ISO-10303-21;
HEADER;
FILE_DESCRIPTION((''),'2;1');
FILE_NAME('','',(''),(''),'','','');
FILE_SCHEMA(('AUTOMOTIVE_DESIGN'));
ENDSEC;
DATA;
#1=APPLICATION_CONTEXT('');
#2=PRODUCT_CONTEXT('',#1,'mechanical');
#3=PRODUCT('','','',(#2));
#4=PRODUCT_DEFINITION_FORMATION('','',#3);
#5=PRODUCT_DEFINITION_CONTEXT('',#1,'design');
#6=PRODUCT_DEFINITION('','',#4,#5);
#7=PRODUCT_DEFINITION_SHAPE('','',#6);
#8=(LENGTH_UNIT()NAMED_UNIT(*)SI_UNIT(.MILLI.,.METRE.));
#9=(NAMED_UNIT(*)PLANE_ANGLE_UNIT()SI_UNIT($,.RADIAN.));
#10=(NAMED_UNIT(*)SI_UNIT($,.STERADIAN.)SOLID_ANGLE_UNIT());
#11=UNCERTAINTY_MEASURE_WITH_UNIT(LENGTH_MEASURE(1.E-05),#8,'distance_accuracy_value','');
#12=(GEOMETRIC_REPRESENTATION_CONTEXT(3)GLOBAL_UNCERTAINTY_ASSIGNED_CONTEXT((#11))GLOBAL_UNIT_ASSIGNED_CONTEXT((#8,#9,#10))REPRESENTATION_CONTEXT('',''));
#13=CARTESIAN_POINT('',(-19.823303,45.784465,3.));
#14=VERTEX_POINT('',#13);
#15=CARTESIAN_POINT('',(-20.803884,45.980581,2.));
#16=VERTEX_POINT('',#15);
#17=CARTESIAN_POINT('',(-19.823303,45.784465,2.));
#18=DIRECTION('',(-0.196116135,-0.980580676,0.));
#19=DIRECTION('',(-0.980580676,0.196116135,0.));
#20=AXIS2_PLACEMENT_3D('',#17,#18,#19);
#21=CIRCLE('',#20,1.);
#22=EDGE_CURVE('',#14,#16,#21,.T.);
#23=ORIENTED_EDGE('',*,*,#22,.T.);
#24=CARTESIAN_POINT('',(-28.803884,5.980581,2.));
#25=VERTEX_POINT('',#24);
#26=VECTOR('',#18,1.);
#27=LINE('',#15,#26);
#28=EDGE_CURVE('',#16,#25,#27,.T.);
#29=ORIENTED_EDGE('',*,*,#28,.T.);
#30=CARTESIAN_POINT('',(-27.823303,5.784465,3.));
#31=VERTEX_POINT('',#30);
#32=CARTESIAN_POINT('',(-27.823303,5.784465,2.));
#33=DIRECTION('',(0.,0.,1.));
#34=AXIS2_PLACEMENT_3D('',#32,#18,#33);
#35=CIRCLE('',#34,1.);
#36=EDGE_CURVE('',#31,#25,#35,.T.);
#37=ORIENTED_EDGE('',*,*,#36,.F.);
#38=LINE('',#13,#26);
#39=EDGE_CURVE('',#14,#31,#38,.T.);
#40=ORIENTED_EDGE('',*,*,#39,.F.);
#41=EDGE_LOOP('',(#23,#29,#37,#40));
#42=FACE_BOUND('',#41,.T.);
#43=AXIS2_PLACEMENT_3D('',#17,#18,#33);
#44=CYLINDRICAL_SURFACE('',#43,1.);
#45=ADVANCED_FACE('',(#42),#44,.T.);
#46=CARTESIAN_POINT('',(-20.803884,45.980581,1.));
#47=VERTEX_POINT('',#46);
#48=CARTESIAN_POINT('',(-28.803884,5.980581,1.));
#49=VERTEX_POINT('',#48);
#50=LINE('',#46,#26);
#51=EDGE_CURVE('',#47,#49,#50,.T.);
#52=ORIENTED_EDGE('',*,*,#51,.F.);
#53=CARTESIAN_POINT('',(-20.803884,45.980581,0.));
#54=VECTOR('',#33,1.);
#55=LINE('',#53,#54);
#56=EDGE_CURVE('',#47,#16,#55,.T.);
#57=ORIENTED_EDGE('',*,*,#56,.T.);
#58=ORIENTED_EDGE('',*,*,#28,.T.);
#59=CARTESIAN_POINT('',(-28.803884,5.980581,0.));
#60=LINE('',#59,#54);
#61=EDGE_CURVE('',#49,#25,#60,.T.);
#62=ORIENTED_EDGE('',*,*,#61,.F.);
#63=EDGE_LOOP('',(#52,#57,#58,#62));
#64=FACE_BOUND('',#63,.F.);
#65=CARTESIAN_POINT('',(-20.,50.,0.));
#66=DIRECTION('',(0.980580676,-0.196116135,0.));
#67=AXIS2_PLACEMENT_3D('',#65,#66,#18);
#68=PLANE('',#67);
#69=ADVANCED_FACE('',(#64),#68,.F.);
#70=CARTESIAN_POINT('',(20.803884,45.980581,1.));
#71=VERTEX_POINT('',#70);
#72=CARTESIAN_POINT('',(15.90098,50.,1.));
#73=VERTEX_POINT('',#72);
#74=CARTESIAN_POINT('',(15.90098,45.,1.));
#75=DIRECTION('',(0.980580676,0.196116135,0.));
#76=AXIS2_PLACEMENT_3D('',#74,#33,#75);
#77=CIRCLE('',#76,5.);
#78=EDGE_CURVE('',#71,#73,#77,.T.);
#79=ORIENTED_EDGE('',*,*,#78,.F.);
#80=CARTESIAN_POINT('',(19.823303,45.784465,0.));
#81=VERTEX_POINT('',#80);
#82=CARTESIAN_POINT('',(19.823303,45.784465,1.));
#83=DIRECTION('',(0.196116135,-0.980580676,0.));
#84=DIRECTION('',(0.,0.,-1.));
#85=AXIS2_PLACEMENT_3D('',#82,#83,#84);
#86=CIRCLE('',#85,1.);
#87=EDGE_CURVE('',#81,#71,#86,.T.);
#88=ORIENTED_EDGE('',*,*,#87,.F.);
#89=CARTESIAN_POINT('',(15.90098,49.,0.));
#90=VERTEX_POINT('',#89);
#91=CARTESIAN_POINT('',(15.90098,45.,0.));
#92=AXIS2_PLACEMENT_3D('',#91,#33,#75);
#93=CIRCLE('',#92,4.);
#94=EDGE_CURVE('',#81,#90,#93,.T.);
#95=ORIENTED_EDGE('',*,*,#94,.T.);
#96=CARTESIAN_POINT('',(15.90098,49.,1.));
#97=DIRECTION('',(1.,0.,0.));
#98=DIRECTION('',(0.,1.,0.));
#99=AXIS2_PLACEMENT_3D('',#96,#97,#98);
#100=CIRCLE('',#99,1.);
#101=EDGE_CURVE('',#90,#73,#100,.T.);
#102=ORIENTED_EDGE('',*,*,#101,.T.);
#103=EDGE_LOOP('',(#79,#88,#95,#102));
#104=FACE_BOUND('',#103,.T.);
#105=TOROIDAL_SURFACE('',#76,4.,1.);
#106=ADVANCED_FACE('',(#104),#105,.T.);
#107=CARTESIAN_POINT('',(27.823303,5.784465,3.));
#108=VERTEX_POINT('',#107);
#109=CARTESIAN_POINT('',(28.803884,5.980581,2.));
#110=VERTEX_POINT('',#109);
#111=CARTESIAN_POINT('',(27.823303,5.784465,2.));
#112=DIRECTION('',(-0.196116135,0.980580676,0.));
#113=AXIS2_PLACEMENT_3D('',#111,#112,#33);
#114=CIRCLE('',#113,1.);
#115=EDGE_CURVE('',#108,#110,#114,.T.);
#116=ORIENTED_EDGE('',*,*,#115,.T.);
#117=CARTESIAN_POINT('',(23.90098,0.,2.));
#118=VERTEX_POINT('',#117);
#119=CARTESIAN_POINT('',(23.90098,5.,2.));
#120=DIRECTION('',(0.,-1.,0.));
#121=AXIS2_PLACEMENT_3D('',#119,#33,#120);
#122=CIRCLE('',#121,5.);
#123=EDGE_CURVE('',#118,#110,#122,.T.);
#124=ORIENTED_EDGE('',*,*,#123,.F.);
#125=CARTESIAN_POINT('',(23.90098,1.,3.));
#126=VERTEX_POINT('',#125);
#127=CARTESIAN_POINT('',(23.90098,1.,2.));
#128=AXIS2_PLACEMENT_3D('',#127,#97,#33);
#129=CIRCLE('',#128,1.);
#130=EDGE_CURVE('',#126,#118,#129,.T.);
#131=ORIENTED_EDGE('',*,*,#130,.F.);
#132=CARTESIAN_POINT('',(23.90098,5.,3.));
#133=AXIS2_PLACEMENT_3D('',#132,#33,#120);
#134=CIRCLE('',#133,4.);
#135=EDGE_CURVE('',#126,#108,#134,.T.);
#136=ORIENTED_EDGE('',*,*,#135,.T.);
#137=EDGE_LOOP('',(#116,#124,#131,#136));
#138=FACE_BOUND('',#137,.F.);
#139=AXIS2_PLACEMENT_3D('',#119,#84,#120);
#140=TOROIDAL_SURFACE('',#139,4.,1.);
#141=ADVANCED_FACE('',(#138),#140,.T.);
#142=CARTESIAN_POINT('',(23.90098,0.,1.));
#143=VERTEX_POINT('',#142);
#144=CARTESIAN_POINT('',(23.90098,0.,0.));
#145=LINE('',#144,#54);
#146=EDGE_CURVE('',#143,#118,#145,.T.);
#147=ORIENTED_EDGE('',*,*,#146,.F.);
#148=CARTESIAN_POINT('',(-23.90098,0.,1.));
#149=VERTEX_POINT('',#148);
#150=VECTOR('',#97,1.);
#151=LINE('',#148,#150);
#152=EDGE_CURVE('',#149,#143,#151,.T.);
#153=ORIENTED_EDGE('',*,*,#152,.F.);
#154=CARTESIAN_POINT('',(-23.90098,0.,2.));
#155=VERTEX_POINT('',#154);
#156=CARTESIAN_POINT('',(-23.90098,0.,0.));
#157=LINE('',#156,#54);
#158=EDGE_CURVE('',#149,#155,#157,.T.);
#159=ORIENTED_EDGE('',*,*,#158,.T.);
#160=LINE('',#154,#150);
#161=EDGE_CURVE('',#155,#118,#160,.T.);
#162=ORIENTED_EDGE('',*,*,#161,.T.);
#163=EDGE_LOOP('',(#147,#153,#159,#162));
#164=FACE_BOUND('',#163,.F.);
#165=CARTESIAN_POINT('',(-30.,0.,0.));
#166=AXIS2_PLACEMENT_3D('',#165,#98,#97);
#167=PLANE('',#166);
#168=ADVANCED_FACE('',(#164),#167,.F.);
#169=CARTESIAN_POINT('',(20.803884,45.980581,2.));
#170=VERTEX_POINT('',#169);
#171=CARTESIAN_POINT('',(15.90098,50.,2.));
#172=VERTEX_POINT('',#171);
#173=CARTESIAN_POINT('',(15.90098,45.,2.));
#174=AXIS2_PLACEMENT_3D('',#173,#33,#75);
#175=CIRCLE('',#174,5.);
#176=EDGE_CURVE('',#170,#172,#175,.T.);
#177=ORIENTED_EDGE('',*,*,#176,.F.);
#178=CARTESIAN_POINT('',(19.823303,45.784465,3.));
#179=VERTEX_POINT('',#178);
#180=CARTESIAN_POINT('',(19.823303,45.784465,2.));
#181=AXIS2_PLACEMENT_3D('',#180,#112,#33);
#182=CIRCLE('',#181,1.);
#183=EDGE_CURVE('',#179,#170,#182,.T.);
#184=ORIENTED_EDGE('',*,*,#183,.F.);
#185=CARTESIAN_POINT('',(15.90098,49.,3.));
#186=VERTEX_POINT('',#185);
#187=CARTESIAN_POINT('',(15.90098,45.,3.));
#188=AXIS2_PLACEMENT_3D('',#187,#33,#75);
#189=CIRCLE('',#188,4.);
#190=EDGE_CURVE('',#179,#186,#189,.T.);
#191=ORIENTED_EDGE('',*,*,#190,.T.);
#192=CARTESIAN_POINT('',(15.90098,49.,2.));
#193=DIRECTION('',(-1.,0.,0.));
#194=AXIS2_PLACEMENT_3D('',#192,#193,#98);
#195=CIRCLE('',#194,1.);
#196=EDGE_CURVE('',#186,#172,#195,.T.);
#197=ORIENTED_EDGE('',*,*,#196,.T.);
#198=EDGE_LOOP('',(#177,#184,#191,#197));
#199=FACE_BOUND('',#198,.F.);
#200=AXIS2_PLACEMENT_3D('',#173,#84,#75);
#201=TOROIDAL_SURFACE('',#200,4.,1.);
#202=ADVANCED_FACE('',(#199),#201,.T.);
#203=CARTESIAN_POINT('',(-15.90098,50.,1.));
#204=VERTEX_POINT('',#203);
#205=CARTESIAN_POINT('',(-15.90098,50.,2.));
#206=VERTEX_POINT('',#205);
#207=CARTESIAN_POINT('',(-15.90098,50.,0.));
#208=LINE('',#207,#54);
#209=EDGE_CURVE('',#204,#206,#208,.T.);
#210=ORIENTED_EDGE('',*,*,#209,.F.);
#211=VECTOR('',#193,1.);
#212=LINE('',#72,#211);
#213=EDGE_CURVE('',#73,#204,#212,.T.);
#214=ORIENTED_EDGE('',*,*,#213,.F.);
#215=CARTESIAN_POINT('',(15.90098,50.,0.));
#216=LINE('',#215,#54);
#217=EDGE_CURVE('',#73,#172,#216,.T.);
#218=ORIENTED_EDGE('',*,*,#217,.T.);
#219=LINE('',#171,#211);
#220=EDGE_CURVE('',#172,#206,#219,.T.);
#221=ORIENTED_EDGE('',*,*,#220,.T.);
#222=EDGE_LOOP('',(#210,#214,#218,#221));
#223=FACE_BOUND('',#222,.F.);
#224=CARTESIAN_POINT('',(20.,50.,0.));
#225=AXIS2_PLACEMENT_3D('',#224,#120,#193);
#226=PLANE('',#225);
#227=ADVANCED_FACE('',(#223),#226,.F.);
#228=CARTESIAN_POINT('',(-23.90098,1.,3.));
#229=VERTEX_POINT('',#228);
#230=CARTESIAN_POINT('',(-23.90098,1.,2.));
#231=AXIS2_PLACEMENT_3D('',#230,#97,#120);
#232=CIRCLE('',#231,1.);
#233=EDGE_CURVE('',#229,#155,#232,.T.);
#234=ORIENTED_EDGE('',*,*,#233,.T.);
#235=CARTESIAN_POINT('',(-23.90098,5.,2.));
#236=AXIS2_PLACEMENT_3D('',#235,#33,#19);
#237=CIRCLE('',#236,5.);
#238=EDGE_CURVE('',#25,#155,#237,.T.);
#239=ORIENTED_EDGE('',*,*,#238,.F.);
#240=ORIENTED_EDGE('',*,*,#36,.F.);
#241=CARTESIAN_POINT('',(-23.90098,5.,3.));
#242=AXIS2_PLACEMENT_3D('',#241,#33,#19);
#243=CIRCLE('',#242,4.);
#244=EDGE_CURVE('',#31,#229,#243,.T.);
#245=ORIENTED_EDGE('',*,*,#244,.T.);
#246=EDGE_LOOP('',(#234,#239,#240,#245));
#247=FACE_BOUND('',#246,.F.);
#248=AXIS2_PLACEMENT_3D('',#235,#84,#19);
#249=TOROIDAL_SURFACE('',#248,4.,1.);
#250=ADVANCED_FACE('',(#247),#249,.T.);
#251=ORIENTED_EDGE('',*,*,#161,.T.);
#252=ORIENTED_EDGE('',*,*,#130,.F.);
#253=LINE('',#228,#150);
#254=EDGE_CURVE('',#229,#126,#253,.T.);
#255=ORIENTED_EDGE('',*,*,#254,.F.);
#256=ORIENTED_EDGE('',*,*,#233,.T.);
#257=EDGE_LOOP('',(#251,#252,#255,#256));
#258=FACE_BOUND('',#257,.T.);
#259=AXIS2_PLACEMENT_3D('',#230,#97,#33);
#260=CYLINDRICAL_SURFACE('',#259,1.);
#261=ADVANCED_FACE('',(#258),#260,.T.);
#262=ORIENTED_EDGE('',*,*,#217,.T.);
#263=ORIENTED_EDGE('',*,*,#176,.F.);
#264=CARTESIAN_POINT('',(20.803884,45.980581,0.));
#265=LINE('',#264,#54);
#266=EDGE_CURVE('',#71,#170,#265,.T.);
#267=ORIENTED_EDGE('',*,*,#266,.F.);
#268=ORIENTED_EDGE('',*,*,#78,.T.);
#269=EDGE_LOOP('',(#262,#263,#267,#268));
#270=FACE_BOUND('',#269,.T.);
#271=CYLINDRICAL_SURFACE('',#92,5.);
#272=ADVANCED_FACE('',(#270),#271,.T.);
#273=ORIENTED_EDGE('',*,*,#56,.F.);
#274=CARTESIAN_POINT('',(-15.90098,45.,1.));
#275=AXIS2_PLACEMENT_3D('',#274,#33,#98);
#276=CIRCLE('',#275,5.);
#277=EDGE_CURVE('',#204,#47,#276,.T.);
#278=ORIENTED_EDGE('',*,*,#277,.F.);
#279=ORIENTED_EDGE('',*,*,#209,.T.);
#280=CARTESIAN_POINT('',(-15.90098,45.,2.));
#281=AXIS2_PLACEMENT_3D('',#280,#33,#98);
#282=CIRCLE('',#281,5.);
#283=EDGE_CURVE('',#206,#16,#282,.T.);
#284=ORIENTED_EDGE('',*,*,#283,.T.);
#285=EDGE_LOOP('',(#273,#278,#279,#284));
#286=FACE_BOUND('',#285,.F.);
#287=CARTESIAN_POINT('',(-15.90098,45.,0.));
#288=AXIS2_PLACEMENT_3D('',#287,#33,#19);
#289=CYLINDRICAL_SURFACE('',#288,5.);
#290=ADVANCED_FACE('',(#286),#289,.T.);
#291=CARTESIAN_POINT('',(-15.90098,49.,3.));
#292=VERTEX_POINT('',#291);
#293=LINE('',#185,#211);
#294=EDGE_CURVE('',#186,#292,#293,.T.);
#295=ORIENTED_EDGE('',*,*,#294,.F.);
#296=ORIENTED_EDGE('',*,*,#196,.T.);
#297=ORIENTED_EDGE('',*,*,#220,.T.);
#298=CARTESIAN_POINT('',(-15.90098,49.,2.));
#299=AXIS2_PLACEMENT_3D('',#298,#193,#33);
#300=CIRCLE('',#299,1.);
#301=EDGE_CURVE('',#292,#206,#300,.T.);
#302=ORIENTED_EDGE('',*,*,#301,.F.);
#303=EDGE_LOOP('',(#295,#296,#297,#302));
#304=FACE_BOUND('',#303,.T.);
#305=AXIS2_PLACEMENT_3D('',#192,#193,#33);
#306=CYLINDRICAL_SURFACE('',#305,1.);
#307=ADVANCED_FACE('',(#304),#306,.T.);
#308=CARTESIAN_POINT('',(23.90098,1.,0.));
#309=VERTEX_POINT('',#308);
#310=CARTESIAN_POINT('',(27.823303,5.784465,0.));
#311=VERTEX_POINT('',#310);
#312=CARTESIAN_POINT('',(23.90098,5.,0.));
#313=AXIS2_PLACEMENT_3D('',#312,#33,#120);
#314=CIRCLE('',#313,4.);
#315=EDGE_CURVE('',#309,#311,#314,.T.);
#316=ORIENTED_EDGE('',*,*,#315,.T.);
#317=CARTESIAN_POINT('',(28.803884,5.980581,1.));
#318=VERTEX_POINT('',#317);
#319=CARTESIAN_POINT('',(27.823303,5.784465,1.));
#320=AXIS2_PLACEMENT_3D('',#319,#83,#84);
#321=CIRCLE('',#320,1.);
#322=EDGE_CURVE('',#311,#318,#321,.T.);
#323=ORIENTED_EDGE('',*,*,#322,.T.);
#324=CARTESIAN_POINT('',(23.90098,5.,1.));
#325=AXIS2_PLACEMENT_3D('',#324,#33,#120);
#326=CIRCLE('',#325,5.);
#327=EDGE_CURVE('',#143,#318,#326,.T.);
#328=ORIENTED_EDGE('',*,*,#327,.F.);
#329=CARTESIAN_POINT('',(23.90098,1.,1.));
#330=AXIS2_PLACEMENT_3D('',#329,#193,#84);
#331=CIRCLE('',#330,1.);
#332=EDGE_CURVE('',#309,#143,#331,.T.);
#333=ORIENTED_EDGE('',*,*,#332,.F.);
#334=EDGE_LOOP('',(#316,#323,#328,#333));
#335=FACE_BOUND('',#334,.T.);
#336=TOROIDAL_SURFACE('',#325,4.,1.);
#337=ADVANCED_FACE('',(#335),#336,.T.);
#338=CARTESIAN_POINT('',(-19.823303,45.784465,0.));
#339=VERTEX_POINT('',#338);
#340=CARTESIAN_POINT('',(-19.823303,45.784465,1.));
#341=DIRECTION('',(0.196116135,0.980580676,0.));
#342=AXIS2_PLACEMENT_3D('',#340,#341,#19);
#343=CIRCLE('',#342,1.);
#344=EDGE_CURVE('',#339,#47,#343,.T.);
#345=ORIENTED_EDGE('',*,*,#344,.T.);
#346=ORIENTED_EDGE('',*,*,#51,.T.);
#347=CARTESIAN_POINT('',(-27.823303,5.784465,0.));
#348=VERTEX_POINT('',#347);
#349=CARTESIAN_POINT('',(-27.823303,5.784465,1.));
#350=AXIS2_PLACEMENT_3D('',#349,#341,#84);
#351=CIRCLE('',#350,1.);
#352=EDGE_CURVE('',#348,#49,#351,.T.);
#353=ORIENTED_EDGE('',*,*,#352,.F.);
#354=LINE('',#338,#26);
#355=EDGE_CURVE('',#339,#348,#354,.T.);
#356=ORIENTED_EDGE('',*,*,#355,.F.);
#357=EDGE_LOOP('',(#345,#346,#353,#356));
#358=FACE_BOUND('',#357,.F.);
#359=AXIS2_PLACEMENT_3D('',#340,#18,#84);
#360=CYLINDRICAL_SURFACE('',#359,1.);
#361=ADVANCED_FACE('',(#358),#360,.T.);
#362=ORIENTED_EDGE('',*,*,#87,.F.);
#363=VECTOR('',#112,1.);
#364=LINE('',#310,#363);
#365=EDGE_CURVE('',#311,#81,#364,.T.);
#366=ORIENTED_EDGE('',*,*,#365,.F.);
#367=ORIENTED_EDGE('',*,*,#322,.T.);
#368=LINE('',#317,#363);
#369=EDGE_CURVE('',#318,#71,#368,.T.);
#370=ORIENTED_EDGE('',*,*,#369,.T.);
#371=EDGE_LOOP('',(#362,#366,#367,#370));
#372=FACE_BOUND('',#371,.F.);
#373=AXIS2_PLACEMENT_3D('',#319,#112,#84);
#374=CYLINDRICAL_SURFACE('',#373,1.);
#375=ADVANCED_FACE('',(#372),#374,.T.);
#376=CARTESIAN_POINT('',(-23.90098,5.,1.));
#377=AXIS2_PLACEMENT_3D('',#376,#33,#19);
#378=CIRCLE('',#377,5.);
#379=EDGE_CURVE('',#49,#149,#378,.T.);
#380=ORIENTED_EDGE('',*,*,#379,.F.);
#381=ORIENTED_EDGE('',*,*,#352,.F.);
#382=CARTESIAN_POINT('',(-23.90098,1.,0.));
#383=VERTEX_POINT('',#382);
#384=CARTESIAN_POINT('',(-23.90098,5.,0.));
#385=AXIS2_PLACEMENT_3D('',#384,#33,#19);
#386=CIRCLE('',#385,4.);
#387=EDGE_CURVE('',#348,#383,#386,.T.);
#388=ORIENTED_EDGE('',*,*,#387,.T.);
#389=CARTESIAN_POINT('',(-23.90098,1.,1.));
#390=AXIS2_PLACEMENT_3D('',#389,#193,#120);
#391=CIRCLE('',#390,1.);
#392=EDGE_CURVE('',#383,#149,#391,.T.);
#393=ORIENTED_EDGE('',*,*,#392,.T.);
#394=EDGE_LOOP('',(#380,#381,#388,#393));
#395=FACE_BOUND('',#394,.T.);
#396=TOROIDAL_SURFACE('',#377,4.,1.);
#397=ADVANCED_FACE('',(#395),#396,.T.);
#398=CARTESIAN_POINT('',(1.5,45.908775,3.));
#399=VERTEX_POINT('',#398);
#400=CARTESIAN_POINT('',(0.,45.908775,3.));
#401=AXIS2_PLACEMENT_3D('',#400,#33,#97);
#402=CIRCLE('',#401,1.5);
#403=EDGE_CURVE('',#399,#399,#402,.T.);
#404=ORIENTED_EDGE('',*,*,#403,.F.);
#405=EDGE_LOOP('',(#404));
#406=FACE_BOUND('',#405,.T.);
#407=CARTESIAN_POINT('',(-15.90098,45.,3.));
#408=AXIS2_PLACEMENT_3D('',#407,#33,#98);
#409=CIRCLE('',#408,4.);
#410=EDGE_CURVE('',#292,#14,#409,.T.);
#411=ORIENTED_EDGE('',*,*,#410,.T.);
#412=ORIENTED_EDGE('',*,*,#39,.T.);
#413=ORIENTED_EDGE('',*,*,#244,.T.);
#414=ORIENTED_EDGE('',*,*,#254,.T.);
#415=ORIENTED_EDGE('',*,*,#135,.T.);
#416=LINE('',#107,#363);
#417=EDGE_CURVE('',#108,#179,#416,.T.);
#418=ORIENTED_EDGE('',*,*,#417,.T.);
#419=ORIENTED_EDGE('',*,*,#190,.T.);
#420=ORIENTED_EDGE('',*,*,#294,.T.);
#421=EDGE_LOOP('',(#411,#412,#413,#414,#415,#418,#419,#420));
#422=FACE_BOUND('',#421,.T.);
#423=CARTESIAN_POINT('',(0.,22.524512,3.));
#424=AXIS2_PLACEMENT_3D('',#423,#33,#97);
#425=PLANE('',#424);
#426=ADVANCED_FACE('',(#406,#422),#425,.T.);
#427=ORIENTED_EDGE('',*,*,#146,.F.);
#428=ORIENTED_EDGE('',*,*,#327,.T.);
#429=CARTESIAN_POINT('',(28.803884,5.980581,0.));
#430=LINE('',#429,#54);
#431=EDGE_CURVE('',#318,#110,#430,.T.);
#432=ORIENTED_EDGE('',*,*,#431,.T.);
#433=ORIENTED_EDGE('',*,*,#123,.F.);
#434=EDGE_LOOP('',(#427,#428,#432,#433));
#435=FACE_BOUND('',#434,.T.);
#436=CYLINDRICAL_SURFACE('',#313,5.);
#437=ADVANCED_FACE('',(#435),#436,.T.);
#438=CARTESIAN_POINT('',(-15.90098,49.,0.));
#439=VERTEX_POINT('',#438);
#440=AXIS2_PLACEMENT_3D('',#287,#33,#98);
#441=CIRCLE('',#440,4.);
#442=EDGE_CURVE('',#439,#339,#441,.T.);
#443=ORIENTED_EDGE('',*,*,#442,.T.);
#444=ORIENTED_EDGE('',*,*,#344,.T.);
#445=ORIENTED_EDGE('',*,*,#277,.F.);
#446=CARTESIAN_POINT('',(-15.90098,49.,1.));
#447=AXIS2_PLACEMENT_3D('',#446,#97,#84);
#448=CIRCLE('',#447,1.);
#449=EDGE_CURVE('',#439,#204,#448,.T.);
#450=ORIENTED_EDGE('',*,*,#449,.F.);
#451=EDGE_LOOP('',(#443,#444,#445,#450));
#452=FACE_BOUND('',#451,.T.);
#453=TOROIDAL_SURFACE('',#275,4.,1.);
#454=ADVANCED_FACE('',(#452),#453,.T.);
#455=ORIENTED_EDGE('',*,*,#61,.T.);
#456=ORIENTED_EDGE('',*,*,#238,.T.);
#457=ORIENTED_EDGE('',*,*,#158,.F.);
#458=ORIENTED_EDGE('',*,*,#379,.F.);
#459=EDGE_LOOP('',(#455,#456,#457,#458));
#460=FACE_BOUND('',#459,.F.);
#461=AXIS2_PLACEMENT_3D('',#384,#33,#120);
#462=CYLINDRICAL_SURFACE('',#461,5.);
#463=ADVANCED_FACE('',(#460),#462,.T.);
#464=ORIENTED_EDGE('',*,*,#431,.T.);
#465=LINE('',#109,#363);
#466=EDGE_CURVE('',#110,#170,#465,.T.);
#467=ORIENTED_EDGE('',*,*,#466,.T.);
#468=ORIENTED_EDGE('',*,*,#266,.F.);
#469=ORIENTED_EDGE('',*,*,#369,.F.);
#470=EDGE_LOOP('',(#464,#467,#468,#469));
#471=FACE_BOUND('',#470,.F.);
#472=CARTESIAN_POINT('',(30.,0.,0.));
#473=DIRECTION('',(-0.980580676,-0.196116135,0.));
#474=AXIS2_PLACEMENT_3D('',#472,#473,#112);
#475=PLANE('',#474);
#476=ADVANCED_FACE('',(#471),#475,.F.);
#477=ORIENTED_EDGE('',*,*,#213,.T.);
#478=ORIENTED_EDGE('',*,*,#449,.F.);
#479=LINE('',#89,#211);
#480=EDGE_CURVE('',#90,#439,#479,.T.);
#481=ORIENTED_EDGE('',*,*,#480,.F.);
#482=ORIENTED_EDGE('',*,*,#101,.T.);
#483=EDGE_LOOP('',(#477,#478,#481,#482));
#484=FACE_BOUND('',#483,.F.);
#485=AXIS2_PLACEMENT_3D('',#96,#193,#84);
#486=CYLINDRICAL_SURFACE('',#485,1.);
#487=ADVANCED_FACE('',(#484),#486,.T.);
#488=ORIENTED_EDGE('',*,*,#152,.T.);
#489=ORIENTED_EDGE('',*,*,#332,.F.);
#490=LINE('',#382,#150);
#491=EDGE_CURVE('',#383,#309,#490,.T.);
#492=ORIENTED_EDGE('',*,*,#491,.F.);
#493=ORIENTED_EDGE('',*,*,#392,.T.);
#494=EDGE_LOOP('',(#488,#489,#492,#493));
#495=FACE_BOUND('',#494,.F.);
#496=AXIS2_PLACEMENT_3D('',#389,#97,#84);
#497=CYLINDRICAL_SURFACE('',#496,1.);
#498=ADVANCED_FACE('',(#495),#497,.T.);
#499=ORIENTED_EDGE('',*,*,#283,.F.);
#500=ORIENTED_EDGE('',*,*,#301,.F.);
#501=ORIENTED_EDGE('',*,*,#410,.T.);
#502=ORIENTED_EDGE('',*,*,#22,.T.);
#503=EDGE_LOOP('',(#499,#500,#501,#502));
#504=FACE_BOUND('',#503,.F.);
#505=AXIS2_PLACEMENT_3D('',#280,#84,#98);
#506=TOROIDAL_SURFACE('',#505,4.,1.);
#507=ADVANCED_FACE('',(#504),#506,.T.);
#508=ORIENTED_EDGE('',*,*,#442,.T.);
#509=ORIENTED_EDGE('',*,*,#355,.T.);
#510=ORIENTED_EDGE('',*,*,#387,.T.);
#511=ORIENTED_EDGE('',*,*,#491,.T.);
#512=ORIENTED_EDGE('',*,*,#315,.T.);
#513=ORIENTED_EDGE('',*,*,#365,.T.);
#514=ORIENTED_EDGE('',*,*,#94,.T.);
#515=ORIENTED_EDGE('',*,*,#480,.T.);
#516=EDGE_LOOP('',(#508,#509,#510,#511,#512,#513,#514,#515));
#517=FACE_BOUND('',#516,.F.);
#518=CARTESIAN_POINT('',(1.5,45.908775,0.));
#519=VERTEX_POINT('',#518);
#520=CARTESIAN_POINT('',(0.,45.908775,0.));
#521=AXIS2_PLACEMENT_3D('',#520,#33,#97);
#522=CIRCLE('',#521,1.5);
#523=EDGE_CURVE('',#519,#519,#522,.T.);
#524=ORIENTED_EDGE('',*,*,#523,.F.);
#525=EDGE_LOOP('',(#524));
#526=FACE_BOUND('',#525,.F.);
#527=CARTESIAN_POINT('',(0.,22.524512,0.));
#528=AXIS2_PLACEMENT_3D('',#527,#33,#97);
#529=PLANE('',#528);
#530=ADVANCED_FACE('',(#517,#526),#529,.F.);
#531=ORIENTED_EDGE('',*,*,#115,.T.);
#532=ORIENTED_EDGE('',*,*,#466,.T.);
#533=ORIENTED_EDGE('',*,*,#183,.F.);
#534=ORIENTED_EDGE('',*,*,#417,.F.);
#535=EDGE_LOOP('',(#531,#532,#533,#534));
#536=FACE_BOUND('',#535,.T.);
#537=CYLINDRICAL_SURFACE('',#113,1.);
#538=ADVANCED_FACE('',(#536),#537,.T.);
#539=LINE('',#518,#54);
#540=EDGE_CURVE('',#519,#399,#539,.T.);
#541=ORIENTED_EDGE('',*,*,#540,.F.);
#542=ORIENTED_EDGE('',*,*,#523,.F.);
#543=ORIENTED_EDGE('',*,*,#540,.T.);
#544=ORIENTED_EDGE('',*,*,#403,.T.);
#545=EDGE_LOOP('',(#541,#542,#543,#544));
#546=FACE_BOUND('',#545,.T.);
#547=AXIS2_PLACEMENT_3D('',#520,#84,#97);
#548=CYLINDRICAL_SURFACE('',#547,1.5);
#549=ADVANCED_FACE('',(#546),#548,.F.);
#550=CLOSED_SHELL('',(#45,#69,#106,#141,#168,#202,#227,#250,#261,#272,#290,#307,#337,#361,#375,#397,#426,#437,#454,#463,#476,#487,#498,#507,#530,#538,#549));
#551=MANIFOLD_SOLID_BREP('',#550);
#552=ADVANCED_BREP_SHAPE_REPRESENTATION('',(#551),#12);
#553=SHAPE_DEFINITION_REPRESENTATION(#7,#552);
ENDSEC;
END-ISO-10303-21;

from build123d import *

# Parameters (mm, degrees)
F0_R     = 1.5
F1_DEPTH = 3
F2_R     = 5
F3_R     = 1


with BuildPart() as f1:
    # F0 (on Top) → F1 (new body)
    with BuildSketch(Plane.XY):
        Polygon((-30, 0), (0, 0), (30, 0), (20, 50), (0, 50), (-20, 50), align=None)
        with Locations((0, 45.908775)):
            Circle(F0_R, mode=Mode.SUBTRACT)
    extrude(amount=F1_DEPTH)

    # F2
    f2_edges = [f1.edges().sort_by_distance(p)[0] for p in [
        (-20, 50, 1.5),
        (20, 50, 1.5),
        (30, 0, 1.5),
        (-30, 0, 1.5),
    ]]
    fillet(f2_edges, radius=F2_R)

    # F3
    f3_edges = [f1.edges().sort_by_distance(p)[0] for p in [
        (24.803884, 25.980581, 3),
        (24.803884, 25.980581, 0),
    ]]
    fillet(f3_edges, radius=F3_R)


solid = f1.part
